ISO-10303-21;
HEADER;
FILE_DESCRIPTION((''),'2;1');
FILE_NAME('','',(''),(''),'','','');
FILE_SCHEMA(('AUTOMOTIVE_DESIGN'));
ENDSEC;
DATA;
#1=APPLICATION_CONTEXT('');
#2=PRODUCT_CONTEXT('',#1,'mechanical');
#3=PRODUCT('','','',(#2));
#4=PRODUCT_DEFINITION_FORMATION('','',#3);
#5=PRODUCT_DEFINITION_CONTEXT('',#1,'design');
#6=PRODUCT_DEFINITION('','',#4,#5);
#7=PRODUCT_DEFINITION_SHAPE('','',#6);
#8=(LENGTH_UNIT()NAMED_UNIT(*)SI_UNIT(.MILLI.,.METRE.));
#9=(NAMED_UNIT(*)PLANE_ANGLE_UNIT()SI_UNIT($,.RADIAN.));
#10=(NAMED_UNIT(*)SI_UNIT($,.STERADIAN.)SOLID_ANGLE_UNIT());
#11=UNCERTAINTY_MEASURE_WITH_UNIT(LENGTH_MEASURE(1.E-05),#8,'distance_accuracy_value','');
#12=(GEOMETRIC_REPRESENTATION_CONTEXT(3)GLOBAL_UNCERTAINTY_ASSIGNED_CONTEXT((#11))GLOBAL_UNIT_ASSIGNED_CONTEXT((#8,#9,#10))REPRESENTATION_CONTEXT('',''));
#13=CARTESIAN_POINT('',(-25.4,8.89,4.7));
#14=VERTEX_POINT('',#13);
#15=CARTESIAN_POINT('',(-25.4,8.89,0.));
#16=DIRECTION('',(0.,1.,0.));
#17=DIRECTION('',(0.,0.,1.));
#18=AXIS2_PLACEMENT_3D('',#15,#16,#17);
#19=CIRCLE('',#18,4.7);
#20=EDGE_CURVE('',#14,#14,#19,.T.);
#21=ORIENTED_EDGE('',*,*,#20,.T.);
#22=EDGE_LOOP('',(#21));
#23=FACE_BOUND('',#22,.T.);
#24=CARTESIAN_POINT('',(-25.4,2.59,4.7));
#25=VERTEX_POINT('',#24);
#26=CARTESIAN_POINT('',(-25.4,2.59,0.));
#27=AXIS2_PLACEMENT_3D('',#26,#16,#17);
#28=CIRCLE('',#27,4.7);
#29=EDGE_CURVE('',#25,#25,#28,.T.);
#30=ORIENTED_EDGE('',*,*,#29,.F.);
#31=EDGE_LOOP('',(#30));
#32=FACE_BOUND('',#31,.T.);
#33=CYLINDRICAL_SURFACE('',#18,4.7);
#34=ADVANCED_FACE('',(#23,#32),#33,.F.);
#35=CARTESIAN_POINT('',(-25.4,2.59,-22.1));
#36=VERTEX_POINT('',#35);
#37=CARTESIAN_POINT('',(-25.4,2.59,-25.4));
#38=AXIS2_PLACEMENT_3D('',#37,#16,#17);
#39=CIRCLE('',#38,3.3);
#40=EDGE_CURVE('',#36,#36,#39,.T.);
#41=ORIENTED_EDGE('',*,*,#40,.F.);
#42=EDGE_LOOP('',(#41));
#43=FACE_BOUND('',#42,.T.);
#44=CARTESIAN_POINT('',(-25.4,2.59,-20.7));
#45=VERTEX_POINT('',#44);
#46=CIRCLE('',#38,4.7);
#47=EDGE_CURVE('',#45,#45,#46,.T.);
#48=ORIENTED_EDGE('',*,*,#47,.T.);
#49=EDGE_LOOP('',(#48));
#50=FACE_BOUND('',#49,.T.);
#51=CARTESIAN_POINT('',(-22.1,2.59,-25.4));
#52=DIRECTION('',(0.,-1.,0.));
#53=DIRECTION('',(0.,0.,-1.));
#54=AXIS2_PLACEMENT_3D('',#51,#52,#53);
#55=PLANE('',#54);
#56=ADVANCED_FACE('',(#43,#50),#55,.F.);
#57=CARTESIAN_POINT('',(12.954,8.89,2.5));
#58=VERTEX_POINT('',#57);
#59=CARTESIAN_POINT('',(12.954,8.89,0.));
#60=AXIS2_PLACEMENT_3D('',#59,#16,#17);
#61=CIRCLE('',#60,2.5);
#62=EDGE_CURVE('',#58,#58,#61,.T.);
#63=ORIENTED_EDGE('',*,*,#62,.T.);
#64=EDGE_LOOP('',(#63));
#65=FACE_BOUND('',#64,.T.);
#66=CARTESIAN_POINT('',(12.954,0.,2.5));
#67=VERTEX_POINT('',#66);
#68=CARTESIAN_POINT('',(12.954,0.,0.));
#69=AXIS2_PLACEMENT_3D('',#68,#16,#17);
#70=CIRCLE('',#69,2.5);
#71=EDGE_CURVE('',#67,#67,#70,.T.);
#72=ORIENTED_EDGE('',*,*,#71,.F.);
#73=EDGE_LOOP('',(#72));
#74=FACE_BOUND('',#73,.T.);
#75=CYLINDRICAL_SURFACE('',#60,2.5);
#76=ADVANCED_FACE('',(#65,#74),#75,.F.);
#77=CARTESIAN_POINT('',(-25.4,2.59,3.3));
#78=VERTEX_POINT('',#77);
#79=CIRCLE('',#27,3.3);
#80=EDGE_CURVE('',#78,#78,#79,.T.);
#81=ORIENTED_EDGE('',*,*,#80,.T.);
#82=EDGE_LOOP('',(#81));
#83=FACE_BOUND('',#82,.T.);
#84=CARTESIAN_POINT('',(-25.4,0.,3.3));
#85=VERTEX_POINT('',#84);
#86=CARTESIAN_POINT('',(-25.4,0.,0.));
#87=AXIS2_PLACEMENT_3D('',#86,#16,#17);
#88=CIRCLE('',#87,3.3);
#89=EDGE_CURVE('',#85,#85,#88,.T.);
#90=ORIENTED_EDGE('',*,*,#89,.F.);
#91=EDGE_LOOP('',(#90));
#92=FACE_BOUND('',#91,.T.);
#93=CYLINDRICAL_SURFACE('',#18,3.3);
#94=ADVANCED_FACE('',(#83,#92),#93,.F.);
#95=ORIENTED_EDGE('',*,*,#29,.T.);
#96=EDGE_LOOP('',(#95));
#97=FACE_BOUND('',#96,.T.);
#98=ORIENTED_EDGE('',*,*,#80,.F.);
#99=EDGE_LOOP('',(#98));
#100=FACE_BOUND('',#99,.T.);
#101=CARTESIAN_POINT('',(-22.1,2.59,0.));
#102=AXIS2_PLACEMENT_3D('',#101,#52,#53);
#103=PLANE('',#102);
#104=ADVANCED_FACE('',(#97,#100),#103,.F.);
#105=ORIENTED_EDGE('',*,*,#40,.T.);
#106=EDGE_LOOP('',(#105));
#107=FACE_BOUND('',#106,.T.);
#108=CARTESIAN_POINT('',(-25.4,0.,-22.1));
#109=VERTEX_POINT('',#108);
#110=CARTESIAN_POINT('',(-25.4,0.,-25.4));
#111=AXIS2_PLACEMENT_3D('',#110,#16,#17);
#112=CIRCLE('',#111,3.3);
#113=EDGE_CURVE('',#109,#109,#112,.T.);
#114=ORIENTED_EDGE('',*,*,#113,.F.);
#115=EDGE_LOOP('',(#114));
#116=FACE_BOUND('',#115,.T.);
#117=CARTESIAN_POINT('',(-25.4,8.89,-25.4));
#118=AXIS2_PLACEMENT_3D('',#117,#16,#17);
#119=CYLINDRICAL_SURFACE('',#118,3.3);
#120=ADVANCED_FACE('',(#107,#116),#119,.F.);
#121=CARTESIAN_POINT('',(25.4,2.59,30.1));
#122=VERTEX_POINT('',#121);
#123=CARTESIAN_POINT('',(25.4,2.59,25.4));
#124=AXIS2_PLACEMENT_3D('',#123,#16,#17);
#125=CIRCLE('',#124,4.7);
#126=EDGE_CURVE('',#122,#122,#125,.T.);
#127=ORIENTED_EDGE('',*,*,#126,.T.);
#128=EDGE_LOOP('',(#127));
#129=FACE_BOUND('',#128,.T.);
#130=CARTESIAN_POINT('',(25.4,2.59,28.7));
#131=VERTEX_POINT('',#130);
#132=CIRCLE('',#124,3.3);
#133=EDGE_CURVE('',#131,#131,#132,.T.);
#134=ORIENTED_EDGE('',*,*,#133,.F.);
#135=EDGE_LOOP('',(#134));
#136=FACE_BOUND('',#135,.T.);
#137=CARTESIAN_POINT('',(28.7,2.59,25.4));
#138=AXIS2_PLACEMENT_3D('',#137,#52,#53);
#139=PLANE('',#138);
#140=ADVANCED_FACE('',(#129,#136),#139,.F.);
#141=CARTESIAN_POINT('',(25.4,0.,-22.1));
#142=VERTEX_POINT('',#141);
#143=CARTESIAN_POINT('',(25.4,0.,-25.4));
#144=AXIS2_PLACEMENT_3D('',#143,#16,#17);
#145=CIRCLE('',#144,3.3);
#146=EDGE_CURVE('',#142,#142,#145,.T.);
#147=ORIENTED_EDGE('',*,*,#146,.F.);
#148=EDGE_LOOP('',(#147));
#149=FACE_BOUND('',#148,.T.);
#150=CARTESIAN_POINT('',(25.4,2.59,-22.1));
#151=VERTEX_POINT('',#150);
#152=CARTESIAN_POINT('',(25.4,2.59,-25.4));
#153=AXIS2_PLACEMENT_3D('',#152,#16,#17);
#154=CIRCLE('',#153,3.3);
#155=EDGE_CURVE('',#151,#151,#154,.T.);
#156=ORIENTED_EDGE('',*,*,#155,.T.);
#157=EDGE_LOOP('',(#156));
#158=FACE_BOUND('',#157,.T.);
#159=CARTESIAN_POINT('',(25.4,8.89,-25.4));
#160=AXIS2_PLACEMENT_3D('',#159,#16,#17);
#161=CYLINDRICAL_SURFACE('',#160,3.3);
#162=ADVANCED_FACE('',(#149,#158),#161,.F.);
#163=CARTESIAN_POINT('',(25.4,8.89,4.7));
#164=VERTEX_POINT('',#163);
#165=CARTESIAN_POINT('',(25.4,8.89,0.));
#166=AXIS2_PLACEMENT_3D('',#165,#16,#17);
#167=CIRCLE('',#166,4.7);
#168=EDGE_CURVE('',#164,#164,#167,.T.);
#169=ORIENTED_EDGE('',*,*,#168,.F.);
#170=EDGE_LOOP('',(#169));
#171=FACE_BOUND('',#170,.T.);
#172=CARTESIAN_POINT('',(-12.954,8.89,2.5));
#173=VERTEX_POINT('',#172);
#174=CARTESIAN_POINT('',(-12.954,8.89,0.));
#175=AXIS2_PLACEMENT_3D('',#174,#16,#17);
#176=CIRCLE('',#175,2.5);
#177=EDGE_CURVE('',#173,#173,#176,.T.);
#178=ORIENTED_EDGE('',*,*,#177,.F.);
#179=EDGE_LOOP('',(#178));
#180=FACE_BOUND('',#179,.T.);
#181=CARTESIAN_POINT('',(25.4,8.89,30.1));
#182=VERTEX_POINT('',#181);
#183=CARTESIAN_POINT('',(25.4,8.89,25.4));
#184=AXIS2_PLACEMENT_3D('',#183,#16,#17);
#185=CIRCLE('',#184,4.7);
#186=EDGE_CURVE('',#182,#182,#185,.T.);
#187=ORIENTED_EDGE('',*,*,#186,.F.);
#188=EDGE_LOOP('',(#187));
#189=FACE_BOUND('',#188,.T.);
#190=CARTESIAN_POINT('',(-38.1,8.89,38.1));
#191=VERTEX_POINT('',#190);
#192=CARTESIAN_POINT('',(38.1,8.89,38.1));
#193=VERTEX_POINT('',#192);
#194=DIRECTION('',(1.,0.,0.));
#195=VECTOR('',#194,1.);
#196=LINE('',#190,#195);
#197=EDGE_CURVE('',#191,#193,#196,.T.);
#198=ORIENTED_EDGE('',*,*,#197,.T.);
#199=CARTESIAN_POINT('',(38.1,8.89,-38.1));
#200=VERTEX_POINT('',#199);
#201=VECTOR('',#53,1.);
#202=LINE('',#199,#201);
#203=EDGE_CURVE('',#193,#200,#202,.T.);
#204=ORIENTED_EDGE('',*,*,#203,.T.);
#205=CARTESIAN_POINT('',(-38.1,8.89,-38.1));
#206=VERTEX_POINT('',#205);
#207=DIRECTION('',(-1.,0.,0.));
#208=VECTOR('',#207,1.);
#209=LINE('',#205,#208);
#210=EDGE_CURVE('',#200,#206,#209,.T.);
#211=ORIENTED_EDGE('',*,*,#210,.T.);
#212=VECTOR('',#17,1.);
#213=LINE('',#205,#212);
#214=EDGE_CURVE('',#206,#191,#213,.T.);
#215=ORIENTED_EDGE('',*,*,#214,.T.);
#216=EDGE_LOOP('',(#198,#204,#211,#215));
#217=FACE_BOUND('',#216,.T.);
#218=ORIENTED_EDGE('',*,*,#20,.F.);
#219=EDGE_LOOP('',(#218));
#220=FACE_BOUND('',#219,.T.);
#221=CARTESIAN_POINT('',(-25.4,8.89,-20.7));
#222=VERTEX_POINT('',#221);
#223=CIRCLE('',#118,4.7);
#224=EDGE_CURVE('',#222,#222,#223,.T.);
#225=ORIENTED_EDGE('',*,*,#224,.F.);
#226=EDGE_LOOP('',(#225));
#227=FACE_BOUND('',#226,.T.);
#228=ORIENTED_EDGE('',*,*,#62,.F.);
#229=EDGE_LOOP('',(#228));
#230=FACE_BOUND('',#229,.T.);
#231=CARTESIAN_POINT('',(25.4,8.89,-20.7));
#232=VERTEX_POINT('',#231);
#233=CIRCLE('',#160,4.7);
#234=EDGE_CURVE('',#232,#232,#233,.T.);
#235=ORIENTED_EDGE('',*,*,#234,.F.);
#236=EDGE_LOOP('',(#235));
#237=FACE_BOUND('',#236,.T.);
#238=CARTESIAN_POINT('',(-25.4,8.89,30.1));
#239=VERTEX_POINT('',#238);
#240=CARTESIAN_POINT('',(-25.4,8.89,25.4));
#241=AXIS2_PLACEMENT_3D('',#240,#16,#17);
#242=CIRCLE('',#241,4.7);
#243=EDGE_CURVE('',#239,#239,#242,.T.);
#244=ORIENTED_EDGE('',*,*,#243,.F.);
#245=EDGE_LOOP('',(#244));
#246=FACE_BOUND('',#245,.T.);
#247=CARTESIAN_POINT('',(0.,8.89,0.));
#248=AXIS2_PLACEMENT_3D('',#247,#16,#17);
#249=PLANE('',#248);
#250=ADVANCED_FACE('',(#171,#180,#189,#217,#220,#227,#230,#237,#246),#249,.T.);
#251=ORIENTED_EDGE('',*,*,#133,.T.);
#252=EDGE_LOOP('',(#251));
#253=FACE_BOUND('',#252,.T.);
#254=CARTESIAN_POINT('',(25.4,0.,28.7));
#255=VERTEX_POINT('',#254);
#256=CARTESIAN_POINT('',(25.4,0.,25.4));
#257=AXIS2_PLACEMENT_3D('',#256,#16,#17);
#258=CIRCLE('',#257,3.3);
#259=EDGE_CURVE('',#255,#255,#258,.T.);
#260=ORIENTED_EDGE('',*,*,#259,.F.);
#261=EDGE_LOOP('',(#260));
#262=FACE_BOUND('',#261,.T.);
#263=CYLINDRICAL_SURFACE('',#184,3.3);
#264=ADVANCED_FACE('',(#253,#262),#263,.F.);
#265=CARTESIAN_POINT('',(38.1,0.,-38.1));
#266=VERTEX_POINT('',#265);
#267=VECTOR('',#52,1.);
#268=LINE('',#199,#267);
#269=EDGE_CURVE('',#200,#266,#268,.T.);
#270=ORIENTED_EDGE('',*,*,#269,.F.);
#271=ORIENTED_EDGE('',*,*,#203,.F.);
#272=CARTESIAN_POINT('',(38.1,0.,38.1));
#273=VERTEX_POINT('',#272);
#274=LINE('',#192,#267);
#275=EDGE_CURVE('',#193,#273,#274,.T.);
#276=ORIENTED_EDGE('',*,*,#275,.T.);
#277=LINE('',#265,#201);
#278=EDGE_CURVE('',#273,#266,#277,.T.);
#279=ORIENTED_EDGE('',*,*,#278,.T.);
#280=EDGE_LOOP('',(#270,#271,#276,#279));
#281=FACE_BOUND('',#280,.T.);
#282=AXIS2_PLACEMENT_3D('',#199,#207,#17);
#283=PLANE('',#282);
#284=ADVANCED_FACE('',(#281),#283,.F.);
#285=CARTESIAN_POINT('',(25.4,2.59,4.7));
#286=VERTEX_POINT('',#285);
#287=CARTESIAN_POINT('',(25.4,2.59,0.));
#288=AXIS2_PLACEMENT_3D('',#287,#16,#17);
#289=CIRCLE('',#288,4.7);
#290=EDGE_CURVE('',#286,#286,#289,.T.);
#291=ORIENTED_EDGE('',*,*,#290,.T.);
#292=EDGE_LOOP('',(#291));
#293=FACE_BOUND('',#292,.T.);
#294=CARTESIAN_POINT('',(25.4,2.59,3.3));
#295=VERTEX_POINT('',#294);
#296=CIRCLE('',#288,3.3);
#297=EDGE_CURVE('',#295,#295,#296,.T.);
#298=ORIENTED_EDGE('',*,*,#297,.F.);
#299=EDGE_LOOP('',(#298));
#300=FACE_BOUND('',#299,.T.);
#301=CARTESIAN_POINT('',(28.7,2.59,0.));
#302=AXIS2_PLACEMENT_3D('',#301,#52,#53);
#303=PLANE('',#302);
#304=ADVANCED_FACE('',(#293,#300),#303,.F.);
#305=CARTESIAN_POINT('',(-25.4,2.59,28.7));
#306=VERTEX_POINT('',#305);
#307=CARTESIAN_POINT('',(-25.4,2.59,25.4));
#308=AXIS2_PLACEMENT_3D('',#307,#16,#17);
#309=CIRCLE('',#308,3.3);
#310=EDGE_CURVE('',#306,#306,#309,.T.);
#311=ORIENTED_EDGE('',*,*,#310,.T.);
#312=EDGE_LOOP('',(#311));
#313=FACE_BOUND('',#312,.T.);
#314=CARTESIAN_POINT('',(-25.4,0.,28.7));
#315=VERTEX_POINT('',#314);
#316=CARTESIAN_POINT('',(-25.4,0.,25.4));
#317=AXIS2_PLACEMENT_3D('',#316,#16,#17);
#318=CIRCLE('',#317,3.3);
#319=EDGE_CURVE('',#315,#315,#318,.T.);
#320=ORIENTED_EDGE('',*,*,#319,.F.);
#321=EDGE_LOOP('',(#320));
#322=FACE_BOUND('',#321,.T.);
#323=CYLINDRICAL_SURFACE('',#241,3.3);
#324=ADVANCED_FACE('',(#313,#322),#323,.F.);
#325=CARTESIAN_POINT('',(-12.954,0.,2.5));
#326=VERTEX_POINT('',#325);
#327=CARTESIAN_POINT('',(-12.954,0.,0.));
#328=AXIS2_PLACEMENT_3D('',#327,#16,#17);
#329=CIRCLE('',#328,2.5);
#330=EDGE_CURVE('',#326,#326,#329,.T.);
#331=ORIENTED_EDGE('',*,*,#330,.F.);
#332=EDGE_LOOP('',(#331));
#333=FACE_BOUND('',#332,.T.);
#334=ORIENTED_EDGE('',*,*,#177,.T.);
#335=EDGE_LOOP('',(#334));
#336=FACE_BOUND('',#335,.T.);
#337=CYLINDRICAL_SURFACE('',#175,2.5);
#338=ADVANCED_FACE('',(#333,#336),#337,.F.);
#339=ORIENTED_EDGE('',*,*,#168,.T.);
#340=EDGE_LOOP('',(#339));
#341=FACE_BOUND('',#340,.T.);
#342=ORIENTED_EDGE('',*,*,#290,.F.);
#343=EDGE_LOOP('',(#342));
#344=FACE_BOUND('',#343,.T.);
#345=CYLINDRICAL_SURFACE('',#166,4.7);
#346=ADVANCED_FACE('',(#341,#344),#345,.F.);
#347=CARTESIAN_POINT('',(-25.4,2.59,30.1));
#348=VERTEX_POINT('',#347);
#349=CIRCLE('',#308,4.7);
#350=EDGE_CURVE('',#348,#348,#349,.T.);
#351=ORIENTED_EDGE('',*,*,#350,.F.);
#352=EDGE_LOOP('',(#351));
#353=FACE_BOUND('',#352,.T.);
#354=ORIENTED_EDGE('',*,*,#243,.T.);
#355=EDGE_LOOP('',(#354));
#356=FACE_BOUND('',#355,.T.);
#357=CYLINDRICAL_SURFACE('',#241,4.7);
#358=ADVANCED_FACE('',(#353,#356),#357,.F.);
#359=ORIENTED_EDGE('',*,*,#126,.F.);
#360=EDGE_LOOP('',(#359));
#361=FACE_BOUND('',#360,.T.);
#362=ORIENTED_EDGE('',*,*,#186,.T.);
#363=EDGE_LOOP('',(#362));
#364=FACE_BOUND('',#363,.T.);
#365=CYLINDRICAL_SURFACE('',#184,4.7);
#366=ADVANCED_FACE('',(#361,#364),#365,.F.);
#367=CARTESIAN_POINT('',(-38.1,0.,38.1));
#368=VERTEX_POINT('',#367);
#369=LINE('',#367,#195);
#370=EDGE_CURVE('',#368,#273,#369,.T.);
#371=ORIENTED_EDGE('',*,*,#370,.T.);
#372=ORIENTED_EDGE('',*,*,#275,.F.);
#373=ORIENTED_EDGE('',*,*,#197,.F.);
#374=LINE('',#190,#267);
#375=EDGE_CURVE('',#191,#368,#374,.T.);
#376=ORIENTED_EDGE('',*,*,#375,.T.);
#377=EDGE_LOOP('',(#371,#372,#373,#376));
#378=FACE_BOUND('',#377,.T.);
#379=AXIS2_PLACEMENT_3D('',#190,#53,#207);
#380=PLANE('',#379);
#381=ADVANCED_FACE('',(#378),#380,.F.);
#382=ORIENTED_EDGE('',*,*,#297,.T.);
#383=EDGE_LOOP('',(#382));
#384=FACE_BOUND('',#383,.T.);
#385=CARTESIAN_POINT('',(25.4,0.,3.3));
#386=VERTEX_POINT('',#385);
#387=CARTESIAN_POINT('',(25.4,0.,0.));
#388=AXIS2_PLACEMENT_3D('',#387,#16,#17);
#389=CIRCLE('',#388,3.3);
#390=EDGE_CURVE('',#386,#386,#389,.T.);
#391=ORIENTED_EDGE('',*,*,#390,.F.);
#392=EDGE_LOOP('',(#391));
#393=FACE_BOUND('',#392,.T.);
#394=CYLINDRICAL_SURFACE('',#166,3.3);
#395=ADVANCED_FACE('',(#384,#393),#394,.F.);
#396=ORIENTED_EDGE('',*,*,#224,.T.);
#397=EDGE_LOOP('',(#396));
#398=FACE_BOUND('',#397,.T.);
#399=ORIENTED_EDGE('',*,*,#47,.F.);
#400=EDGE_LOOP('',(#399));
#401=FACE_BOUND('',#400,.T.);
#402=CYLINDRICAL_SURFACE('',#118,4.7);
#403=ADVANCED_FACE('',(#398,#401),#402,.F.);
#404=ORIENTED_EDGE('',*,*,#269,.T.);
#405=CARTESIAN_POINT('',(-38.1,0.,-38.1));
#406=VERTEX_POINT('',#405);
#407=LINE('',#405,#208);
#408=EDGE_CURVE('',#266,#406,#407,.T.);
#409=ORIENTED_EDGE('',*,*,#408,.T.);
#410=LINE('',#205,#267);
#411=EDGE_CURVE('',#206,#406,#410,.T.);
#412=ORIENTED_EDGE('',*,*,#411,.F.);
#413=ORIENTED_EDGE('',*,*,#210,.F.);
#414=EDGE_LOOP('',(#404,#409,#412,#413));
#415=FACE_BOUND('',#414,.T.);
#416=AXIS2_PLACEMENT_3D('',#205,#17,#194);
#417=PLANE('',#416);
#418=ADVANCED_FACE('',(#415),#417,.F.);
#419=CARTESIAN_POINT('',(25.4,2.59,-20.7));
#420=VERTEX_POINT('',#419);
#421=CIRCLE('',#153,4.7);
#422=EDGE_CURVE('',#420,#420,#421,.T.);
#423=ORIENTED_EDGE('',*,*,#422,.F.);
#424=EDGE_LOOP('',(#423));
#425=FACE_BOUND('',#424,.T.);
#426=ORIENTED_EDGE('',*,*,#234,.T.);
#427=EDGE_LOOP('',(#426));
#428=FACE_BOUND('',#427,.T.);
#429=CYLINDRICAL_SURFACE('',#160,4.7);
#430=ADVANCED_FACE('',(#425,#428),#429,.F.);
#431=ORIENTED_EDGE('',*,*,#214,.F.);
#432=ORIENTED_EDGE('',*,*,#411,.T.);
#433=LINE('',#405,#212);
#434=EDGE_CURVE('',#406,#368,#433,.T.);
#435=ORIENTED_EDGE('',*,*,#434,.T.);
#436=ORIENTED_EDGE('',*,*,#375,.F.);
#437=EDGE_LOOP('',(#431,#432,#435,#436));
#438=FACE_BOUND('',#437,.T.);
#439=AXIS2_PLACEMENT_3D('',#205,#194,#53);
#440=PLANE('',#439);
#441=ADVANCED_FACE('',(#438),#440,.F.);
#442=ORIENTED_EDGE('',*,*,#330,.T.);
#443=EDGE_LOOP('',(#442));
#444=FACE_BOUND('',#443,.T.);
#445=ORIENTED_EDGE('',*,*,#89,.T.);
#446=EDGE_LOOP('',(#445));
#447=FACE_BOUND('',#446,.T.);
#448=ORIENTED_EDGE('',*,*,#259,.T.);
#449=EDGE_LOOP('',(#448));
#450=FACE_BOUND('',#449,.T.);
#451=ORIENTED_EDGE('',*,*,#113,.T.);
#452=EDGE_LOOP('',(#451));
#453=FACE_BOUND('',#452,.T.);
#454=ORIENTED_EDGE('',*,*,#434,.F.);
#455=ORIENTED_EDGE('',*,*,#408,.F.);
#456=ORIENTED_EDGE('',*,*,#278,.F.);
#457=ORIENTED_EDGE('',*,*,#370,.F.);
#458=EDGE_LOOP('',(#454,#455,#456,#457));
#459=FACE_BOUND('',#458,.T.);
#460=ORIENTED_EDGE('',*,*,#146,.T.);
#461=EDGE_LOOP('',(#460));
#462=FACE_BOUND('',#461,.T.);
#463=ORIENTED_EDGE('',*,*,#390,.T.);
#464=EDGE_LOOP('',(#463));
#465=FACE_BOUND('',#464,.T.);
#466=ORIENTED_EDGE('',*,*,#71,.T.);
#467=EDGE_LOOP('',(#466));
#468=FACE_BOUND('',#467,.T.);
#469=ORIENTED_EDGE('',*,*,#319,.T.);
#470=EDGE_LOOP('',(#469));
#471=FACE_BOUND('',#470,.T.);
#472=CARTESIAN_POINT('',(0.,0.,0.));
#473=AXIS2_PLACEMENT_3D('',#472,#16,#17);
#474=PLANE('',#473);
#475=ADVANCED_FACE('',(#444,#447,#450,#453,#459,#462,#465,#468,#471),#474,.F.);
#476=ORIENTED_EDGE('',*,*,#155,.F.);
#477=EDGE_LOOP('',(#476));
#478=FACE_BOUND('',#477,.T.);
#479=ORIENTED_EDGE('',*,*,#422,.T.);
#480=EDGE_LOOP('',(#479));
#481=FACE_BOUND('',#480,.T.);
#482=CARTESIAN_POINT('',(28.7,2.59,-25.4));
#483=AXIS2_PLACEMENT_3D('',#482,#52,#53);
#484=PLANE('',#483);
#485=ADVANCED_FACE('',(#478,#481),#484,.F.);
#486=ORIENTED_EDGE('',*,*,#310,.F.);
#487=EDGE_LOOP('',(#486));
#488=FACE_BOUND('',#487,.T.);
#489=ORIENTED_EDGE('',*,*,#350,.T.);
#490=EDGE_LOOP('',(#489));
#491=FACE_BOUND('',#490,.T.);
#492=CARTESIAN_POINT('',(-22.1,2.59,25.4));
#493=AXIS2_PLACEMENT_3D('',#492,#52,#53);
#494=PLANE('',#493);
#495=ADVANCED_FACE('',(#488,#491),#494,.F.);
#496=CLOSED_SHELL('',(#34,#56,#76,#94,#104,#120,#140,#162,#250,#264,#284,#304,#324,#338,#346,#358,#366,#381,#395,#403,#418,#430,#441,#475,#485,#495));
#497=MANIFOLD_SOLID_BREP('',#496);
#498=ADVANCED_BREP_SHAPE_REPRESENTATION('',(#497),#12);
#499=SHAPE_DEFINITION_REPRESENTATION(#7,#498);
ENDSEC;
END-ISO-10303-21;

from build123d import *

# Parameters (mm, degrees)
SKETCH1_W                       = 76.2
SKETCH1_H                       = 76.2
BOSS_EXTRUDE1_DEPTH             = 8.89
TAP_DRILL_FOR_M6X1_0_TAP1_D     = 5
TAP_DRILL_FOR_M6X1_0_TAP1_DEPTH = 8.89
TAP_DRILL_FOR_M6X1_0_TAP1_TIP   = 1.502151548
CBORE_FOR_M6_SHCS1_D            = 6.6
CBORE_FOR_M6_SHCS1_DEPTH        = 8.89
CBORE_FOR_M6_SHCS1_CBORE_D      = 9.4
CBORE_FOR_M6_SHCS1_CBORE_DEPTH  = 6.3
CBORE_FOR_M6_SHCS1_TIP          = 1.982840043


with BuildPart() as part:
    # Sketch1 → Boss-Extrude1 (new body)
    with BuildSketch(Plane(origin=(0, 0, 0), x_dir=(1, 0, 0), z_dir=(0, 1, 0))):
        Rectangle(SKETCH1_W, SKETCH1_H)
    extrude(amount=BOSS_EXTRUDE1_DEPTH)

    # Tap Drill for M6x1.0 Tap1
    with Locations(Plane(origin=(0, 8.89, 0), x_dir=(1, 0, 0), z_dir=(0, 1, 0))):
        with Locations((-12.954, 0), (12.954, 0)):
            Hole(TAP_DRILL_FOR_M6X1_0_TAP1_D / 2, depth=TAP_DRILL_FOR_M6X1_0_TAP1_DEPTH)
            with Locations((0, 0, -(TAP_DRILL_FOR_M6X1_0_TAP1_DEPTH + TAP_DRILL_FOR_M6X1_0_TAP1_TIP / 2))):  # 118° drill point
                Cone(0, TAP_DRILL_FOR_M6X1_0_TAP1_D / 2, TAP_DRILL_FOR_M6X1_0_TAP1_TIP, mode=Mode.SUBTRACT)

    # CBORE for M6 SHCS1
    with Locations(Plane(origin=(0, 8.89, 0), x_dir=(1, 0, 0), z_dir=(0, 1, 0))):
        with Locations((-25.4, 25.4), (25.4, 25.4), (25.4, -25.4), (-25.4, -25.4), (-25.4, 0), (25.4, 0)):
            CounterBoreHole(CBORE_FOR_M6_SHCS1_D / 2, CBORE_FOR_M6_SHCS1_CBORE_D / 2, CBORE_FOR_M6_SHCS1_CBORE_DEPTH, depth=CBORE_FOR_M6_SHCS1_DEPTH)
            with Locations((0, 0, -(CBORE_FOR_M6_SHCS1_DEPTH + CBORE_FOR_M6_SHCS1_TIP / 2))):  # 118° drill point
                Cone(0, CBORE_FOR_M6_SHCS1_D / 2, CBORE_FOR_M6_SHCS1_TIP, mode=Mode.SUBTRACT)


solid = part.part
